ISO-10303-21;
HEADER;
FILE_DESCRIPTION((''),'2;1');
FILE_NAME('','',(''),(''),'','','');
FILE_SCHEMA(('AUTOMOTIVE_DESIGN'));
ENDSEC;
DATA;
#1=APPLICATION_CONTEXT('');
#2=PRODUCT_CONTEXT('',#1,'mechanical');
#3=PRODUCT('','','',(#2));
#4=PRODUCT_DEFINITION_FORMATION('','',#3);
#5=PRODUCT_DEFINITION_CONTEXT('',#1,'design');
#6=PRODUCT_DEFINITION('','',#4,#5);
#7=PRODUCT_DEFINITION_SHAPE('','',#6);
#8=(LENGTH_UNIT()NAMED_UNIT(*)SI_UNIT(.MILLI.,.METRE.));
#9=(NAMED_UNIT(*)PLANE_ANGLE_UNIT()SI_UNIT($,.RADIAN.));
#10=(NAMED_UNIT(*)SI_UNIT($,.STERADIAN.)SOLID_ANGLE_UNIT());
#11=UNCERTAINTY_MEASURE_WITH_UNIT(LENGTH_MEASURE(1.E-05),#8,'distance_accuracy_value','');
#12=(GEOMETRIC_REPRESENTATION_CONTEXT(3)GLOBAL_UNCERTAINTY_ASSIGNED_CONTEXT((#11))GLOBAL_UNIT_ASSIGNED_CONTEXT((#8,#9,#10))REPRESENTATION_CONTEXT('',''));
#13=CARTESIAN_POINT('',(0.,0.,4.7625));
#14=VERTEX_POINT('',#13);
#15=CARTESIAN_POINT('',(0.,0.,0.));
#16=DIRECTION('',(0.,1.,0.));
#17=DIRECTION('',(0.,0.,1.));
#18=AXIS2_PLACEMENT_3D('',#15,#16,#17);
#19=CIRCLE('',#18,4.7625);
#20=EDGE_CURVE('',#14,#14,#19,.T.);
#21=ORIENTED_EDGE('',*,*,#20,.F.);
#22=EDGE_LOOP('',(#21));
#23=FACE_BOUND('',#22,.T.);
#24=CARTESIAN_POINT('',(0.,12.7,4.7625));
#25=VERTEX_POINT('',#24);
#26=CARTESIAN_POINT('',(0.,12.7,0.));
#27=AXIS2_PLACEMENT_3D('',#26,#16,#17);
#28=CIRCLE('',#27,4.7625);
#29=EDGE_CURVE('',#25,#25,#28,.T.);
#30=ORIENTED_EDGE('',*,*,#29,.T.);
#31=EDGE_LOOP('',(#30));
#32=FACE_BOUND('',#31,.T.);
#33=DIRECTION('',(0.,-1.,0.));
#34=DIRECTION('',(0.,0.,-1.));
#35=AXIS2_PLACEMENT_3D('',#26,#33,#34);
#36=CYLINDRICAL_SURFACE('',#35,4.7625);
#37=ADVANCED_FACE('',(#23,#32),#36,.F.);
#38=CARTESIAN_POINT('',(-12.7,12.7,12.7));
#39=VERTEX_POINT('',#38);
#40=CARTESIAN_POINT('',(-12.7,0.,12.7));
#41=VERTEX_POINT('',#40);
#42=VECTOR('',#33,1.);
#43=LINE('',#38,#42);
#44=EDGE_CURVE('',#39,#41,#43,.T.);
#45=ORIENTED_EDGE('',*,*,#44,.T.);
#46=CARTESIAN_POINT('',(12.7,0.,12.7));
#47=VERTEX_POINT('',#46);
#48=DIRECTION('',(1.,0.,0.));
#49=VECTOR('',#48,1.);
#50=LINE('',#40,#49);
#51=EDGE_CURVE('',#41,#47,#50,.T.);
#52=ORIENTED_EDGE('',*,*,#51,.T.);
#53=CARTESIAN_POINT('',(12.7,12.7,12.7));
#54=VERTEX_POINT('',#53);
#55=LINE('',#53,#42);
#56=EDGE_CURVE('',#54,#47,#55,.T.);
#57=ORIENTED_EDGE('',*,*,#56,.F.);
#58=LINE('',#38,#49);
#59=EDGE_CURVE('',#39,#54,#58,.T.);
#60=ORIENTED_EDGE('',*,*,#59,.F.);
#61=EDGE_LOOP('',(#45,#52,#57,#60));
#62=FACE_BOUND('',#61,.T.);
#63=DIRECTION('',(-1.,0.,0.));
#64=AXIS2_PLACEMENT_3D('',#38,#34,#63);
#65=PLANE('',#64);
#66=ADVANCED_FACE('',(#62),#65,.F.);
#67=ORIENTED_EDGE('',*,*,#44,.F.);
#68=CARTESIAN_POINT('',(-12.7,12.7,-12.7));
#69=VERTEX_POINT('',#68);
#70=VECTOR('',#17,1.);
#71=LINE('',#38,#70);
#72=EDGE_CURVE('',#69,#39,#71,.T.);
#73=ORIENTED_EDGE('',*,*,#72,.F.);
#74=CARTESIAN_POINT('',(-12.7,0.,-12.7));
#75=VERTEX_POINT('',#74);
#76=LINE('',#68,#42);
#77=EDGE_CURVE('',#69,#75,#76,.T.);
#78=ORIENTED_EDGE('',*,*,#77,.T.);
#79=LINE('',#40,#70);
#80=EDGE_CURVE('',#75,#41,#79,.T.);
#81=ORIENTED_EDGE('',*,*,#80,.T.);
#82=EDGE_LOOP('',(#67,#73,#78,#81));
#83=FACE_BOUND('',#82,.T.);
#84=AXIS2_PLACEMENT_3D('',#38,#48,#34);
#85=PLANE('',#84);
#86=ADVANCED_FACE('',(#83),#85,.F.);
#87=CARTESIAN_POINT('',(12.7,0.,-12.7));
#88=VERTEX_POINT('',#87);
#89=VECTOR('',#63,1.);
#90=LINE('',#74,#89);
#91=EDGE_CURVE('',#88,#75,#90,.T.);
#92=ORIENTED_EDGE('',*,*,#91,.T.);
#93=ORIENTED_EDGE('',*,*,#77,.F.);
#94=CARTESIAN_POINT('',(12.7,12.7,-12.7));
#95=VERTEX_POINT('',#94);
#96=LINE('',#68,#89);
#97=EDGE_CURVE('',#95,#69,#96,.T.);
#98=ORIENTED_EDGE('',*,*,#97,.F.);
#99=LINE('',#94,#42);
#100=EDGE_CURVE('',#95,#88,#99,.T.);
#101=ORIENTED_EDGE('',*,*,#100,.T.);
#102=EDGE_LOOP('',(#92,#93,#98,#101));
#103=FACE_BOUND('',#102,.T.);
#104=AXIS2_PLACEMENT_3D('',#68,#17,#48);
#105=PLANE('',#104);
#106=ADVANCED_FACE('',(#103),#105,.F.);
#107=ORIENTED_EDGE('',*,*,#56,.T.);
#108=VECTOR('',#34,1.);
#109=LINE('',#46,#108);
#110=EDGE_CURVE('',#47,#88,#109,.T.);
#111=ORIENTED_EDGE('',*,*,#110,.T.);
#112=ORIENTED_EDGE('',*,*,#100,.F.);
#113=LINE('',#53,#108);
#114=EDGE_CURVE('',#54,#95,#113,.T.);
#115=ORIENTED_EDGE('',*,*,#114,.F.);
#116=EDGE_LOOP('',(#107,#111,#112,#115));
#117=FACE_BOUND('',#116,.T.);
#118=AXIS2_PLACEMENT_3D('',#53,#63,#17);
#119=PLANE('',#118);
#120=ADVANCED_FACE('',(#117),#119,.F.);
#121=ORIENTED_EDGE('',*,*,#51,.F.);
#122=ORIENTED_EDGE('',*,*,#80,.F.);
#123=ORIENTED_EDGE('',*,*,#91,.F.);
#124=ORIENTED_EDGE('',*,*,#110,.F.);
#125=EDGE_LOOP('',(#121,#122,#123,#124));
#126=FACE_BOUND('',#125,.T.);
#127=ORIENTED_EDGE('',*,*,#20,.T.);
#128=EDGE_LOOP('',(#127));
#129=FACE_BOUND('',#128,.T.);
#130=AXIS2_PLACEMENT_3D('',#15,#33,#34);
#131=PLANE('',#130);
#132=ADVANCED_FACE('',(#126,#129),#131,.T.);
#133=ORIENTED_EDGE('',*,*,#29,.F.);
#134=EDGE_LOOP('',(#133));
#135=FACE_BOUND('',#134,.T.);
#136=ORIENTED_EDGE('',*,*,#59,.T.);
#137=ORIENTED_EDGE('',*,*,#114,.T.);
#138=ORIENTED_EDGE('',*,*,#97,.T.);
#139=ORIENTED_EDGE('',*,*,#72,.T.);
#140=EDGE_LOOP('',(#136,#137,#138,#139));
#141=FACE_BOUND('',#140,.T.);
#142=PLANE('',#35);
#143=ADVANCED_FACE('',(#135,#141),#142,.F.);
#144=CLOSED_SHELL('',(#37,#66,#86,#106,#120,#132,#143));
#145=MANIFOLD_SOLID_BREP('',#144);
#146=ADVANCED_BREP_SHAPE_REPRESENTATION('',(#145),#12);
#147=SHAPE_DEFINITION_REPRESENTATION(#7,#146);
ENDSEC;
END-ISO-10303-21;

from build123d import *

# Parameters (mm, degrees)
SKETCH1_W           = 25.4
SKETCH1_H           = 25.4
SKETCH1_R           = 4.7625
BOSS_EXTRUDE1_DEPTH = 12.7


with BuildPart() as part:
    # Sketch1 → Boss-Extrude1 (new body)
    with BuildSketch(Plane(origin=(0, 0, 0), x_dir=(1, 0, 0), z_dir=(0, 1, 0))):
        Rectangle(SKETCH1_W, SKETCH1_H)
        with Locations(Location((0, 0, 0), (0, 0, 270))):
            Circle(SKETCH1_R, mode=Mode.SUBTRACT)
    extrude(amount=BOSS_EXTRUDE1_DEPTH)


solid = part.part
